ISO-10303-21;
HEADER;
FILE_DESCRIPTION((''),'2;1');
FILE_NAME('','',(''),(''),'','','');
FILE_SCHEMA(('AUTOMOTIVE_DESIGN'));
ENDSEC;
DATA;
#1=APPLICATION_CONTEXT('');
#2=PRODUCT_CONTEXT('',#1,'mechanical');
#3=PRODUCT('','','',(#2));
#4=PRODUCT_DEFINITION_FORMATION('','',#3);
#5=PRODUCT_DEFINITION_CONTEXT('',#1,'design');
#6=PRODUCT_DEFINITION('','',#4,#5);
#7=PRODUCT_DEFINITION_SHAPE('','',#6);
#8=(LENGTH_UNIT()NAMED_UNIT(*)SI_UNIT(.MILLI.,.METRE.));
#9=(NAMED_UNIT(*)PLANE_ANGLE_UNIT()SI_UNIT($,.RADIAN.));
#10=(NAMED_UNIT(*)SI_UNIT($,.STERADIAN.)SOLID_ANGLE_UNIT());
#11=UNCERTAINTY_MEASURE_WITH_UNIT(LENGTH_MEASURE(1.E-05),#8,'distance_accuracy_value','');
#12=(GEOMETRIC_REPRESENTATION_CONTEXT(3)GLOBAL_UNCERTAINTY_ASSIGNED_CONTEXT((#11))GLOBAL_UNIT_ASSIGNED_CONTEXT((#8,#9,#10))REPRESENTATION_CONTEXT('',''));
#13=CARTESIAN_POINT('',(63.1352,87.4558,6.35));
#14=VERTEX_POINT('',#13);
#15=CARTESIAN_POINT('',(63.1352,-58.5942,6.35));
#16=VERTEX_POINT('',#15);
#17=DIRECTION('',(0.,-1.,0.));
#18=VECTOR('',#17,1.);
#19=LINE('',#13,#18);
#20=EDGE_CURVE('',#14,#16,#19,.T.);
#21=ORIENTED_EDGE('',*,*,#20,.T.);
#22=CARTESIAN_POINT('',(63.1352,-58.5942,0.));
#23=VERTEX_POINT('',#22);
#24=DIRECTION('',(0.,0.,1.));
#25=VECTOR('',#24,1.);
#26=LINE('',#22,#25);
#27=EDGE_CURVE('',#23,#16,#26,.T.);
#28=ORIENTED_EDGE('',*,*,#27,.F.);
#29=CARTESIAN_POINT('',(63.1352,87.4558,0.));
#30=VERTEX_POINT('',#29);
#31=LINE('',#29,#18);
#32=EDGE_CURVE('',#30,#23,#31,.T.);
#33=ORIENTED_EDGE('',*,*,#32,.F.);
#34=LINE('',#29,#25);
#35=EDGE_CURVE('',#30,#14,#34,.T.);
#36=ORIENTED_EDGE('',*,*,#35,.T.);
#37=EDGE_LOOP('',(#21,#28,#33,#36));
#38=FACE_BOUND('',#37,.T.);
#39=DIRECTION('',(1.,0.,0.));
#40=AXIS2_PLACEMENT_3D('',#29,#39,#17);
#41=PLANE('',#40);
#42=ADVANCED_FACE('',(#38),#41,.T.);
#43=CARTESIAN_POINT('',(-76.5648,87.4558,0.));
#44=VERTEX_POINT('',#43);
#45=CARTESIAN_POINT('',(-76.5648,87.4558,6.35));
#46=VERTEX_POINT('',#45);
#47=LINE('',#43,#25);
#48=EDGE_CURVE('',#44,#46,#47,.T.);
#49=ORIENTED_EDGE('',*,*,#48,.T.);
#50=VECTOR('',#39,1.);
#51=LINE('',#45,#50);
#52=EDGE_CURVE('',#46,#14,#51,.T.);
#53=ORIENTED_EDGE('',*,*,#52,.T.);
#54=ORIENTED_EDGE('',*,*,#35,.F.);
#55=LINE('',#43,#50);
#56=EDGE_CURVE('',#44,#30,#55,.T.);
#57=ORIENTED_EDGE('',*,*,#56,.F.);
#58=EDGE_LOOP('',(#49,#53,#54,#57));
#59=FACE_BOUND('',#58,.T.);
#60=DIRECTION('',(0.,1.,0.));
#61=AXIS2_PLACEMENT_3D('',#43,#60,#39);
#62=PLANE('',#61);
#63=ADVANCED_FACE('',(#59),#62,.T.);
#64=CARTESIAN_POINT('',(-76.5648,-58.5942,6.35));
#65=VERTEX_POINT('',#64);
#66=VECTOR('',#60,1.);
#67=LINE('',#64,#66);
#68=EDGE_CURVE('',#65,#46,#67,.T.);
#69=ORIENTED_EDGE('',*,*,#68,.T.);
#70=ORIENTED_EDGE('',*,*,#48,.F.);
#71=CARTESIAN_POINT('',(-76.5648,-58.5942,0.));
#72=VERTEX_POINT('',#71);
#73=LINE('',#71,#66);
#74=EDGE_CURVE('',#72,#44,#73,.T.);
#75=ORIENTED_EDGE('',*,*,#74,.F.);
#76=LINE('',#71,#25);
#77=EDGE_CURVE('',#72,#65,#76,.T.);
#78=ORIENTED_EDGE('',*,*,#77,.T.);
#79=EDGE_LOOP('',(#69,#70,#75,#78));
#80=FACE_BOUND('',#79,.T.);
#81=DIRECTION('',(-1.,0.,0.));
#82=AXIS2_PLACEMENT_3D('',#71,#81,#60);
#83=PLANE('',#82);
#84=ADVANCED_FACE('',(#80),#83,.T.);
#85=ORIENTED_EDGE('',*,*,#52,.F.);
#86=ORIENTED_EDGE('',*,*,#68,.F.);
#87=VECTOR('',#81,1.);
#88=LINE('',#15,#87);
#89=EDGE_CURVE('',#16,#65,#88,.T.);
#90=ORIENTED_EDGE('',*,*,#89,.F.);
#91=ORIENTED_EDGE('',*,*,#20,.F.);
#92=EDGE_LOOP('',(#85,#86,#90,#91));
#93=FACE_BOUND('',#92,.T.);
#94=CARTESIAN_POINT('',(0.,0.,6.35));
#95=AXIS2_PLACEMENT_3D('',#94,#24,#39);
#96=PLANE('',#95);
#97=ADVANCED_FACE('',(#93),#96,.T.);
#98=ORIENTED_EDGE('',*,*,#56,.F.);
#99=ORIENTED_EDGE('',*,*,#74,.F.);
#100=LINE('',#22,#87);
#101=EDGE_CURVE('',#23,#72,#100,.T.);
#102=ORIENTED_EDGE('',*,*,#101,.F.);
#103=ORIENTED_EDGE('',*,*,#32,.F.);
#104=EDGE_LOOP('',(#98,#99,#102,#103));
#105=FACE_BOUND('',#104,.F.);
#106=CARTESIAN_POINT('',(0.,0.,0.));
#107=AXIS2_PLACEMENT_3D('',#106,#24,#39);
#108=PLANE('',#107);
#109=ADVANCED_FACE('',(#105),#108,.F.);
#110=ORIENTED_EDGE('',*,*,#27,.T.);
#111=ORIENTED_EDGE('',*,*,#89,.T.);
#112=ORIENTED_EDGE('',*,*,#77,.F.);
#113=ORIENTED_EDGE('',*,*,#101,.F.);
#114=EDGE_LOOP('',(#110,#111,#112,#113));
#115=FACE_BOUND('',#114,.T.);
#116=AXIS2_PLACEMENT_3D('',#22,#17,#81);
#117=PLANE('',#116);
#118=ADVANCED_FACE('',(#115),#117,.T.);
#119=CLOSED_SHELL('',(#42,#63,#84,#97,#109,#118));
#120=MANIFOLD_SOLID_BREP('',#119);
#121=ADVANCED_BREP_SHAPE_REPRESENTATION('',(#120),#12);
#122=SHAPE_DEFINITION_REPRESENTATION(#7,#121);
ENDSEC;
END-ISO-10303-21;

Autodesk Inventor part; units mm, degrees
ref_plane "YZ Plane" through (0, 0, 0) normal (1, 0, 0) x (0, 1, 0)
ref_plane "XZ Plane" through (0, 0, 0) normal (0, 1, 0) x (-1, 0, 0)
ref_plane "XY Plane" through (0, 0, 0) normal (0, 0, 1) x (1, 0, 0)
sketch "Sketch1" plane through (0, 0, 0) normal (0, 0, 1) x (1, 0, 0)
  point P0 (0, 0)
sketch "Sketch2" plane through (0, 0, 0) normal (0, 0, 1) x (1, 0, 0)
  line L0 (-76.5648, 87.4558) -> (63.1352, 87.4558)
  line L1 (63.1352, 87.4558) -> (63.1352, -58.5942)
  line L2 (63.1352, -58.5942) -> (-76.5648, -58.5942)
  line L3 (-76.5648, -58.5942) -> (-76.5648, 87.4558)
  point P0 (0, 0)
  dimension "d0" = 139.7
  dimension "d1" = 146.05
  dimension "d2" = 63.1352
  dimension "d3" = 87.4558
extrude "Extrusion1" add sketch "Sketch2" along normal blind 6.35
properties part number "Plexiglass" material "Glass"
